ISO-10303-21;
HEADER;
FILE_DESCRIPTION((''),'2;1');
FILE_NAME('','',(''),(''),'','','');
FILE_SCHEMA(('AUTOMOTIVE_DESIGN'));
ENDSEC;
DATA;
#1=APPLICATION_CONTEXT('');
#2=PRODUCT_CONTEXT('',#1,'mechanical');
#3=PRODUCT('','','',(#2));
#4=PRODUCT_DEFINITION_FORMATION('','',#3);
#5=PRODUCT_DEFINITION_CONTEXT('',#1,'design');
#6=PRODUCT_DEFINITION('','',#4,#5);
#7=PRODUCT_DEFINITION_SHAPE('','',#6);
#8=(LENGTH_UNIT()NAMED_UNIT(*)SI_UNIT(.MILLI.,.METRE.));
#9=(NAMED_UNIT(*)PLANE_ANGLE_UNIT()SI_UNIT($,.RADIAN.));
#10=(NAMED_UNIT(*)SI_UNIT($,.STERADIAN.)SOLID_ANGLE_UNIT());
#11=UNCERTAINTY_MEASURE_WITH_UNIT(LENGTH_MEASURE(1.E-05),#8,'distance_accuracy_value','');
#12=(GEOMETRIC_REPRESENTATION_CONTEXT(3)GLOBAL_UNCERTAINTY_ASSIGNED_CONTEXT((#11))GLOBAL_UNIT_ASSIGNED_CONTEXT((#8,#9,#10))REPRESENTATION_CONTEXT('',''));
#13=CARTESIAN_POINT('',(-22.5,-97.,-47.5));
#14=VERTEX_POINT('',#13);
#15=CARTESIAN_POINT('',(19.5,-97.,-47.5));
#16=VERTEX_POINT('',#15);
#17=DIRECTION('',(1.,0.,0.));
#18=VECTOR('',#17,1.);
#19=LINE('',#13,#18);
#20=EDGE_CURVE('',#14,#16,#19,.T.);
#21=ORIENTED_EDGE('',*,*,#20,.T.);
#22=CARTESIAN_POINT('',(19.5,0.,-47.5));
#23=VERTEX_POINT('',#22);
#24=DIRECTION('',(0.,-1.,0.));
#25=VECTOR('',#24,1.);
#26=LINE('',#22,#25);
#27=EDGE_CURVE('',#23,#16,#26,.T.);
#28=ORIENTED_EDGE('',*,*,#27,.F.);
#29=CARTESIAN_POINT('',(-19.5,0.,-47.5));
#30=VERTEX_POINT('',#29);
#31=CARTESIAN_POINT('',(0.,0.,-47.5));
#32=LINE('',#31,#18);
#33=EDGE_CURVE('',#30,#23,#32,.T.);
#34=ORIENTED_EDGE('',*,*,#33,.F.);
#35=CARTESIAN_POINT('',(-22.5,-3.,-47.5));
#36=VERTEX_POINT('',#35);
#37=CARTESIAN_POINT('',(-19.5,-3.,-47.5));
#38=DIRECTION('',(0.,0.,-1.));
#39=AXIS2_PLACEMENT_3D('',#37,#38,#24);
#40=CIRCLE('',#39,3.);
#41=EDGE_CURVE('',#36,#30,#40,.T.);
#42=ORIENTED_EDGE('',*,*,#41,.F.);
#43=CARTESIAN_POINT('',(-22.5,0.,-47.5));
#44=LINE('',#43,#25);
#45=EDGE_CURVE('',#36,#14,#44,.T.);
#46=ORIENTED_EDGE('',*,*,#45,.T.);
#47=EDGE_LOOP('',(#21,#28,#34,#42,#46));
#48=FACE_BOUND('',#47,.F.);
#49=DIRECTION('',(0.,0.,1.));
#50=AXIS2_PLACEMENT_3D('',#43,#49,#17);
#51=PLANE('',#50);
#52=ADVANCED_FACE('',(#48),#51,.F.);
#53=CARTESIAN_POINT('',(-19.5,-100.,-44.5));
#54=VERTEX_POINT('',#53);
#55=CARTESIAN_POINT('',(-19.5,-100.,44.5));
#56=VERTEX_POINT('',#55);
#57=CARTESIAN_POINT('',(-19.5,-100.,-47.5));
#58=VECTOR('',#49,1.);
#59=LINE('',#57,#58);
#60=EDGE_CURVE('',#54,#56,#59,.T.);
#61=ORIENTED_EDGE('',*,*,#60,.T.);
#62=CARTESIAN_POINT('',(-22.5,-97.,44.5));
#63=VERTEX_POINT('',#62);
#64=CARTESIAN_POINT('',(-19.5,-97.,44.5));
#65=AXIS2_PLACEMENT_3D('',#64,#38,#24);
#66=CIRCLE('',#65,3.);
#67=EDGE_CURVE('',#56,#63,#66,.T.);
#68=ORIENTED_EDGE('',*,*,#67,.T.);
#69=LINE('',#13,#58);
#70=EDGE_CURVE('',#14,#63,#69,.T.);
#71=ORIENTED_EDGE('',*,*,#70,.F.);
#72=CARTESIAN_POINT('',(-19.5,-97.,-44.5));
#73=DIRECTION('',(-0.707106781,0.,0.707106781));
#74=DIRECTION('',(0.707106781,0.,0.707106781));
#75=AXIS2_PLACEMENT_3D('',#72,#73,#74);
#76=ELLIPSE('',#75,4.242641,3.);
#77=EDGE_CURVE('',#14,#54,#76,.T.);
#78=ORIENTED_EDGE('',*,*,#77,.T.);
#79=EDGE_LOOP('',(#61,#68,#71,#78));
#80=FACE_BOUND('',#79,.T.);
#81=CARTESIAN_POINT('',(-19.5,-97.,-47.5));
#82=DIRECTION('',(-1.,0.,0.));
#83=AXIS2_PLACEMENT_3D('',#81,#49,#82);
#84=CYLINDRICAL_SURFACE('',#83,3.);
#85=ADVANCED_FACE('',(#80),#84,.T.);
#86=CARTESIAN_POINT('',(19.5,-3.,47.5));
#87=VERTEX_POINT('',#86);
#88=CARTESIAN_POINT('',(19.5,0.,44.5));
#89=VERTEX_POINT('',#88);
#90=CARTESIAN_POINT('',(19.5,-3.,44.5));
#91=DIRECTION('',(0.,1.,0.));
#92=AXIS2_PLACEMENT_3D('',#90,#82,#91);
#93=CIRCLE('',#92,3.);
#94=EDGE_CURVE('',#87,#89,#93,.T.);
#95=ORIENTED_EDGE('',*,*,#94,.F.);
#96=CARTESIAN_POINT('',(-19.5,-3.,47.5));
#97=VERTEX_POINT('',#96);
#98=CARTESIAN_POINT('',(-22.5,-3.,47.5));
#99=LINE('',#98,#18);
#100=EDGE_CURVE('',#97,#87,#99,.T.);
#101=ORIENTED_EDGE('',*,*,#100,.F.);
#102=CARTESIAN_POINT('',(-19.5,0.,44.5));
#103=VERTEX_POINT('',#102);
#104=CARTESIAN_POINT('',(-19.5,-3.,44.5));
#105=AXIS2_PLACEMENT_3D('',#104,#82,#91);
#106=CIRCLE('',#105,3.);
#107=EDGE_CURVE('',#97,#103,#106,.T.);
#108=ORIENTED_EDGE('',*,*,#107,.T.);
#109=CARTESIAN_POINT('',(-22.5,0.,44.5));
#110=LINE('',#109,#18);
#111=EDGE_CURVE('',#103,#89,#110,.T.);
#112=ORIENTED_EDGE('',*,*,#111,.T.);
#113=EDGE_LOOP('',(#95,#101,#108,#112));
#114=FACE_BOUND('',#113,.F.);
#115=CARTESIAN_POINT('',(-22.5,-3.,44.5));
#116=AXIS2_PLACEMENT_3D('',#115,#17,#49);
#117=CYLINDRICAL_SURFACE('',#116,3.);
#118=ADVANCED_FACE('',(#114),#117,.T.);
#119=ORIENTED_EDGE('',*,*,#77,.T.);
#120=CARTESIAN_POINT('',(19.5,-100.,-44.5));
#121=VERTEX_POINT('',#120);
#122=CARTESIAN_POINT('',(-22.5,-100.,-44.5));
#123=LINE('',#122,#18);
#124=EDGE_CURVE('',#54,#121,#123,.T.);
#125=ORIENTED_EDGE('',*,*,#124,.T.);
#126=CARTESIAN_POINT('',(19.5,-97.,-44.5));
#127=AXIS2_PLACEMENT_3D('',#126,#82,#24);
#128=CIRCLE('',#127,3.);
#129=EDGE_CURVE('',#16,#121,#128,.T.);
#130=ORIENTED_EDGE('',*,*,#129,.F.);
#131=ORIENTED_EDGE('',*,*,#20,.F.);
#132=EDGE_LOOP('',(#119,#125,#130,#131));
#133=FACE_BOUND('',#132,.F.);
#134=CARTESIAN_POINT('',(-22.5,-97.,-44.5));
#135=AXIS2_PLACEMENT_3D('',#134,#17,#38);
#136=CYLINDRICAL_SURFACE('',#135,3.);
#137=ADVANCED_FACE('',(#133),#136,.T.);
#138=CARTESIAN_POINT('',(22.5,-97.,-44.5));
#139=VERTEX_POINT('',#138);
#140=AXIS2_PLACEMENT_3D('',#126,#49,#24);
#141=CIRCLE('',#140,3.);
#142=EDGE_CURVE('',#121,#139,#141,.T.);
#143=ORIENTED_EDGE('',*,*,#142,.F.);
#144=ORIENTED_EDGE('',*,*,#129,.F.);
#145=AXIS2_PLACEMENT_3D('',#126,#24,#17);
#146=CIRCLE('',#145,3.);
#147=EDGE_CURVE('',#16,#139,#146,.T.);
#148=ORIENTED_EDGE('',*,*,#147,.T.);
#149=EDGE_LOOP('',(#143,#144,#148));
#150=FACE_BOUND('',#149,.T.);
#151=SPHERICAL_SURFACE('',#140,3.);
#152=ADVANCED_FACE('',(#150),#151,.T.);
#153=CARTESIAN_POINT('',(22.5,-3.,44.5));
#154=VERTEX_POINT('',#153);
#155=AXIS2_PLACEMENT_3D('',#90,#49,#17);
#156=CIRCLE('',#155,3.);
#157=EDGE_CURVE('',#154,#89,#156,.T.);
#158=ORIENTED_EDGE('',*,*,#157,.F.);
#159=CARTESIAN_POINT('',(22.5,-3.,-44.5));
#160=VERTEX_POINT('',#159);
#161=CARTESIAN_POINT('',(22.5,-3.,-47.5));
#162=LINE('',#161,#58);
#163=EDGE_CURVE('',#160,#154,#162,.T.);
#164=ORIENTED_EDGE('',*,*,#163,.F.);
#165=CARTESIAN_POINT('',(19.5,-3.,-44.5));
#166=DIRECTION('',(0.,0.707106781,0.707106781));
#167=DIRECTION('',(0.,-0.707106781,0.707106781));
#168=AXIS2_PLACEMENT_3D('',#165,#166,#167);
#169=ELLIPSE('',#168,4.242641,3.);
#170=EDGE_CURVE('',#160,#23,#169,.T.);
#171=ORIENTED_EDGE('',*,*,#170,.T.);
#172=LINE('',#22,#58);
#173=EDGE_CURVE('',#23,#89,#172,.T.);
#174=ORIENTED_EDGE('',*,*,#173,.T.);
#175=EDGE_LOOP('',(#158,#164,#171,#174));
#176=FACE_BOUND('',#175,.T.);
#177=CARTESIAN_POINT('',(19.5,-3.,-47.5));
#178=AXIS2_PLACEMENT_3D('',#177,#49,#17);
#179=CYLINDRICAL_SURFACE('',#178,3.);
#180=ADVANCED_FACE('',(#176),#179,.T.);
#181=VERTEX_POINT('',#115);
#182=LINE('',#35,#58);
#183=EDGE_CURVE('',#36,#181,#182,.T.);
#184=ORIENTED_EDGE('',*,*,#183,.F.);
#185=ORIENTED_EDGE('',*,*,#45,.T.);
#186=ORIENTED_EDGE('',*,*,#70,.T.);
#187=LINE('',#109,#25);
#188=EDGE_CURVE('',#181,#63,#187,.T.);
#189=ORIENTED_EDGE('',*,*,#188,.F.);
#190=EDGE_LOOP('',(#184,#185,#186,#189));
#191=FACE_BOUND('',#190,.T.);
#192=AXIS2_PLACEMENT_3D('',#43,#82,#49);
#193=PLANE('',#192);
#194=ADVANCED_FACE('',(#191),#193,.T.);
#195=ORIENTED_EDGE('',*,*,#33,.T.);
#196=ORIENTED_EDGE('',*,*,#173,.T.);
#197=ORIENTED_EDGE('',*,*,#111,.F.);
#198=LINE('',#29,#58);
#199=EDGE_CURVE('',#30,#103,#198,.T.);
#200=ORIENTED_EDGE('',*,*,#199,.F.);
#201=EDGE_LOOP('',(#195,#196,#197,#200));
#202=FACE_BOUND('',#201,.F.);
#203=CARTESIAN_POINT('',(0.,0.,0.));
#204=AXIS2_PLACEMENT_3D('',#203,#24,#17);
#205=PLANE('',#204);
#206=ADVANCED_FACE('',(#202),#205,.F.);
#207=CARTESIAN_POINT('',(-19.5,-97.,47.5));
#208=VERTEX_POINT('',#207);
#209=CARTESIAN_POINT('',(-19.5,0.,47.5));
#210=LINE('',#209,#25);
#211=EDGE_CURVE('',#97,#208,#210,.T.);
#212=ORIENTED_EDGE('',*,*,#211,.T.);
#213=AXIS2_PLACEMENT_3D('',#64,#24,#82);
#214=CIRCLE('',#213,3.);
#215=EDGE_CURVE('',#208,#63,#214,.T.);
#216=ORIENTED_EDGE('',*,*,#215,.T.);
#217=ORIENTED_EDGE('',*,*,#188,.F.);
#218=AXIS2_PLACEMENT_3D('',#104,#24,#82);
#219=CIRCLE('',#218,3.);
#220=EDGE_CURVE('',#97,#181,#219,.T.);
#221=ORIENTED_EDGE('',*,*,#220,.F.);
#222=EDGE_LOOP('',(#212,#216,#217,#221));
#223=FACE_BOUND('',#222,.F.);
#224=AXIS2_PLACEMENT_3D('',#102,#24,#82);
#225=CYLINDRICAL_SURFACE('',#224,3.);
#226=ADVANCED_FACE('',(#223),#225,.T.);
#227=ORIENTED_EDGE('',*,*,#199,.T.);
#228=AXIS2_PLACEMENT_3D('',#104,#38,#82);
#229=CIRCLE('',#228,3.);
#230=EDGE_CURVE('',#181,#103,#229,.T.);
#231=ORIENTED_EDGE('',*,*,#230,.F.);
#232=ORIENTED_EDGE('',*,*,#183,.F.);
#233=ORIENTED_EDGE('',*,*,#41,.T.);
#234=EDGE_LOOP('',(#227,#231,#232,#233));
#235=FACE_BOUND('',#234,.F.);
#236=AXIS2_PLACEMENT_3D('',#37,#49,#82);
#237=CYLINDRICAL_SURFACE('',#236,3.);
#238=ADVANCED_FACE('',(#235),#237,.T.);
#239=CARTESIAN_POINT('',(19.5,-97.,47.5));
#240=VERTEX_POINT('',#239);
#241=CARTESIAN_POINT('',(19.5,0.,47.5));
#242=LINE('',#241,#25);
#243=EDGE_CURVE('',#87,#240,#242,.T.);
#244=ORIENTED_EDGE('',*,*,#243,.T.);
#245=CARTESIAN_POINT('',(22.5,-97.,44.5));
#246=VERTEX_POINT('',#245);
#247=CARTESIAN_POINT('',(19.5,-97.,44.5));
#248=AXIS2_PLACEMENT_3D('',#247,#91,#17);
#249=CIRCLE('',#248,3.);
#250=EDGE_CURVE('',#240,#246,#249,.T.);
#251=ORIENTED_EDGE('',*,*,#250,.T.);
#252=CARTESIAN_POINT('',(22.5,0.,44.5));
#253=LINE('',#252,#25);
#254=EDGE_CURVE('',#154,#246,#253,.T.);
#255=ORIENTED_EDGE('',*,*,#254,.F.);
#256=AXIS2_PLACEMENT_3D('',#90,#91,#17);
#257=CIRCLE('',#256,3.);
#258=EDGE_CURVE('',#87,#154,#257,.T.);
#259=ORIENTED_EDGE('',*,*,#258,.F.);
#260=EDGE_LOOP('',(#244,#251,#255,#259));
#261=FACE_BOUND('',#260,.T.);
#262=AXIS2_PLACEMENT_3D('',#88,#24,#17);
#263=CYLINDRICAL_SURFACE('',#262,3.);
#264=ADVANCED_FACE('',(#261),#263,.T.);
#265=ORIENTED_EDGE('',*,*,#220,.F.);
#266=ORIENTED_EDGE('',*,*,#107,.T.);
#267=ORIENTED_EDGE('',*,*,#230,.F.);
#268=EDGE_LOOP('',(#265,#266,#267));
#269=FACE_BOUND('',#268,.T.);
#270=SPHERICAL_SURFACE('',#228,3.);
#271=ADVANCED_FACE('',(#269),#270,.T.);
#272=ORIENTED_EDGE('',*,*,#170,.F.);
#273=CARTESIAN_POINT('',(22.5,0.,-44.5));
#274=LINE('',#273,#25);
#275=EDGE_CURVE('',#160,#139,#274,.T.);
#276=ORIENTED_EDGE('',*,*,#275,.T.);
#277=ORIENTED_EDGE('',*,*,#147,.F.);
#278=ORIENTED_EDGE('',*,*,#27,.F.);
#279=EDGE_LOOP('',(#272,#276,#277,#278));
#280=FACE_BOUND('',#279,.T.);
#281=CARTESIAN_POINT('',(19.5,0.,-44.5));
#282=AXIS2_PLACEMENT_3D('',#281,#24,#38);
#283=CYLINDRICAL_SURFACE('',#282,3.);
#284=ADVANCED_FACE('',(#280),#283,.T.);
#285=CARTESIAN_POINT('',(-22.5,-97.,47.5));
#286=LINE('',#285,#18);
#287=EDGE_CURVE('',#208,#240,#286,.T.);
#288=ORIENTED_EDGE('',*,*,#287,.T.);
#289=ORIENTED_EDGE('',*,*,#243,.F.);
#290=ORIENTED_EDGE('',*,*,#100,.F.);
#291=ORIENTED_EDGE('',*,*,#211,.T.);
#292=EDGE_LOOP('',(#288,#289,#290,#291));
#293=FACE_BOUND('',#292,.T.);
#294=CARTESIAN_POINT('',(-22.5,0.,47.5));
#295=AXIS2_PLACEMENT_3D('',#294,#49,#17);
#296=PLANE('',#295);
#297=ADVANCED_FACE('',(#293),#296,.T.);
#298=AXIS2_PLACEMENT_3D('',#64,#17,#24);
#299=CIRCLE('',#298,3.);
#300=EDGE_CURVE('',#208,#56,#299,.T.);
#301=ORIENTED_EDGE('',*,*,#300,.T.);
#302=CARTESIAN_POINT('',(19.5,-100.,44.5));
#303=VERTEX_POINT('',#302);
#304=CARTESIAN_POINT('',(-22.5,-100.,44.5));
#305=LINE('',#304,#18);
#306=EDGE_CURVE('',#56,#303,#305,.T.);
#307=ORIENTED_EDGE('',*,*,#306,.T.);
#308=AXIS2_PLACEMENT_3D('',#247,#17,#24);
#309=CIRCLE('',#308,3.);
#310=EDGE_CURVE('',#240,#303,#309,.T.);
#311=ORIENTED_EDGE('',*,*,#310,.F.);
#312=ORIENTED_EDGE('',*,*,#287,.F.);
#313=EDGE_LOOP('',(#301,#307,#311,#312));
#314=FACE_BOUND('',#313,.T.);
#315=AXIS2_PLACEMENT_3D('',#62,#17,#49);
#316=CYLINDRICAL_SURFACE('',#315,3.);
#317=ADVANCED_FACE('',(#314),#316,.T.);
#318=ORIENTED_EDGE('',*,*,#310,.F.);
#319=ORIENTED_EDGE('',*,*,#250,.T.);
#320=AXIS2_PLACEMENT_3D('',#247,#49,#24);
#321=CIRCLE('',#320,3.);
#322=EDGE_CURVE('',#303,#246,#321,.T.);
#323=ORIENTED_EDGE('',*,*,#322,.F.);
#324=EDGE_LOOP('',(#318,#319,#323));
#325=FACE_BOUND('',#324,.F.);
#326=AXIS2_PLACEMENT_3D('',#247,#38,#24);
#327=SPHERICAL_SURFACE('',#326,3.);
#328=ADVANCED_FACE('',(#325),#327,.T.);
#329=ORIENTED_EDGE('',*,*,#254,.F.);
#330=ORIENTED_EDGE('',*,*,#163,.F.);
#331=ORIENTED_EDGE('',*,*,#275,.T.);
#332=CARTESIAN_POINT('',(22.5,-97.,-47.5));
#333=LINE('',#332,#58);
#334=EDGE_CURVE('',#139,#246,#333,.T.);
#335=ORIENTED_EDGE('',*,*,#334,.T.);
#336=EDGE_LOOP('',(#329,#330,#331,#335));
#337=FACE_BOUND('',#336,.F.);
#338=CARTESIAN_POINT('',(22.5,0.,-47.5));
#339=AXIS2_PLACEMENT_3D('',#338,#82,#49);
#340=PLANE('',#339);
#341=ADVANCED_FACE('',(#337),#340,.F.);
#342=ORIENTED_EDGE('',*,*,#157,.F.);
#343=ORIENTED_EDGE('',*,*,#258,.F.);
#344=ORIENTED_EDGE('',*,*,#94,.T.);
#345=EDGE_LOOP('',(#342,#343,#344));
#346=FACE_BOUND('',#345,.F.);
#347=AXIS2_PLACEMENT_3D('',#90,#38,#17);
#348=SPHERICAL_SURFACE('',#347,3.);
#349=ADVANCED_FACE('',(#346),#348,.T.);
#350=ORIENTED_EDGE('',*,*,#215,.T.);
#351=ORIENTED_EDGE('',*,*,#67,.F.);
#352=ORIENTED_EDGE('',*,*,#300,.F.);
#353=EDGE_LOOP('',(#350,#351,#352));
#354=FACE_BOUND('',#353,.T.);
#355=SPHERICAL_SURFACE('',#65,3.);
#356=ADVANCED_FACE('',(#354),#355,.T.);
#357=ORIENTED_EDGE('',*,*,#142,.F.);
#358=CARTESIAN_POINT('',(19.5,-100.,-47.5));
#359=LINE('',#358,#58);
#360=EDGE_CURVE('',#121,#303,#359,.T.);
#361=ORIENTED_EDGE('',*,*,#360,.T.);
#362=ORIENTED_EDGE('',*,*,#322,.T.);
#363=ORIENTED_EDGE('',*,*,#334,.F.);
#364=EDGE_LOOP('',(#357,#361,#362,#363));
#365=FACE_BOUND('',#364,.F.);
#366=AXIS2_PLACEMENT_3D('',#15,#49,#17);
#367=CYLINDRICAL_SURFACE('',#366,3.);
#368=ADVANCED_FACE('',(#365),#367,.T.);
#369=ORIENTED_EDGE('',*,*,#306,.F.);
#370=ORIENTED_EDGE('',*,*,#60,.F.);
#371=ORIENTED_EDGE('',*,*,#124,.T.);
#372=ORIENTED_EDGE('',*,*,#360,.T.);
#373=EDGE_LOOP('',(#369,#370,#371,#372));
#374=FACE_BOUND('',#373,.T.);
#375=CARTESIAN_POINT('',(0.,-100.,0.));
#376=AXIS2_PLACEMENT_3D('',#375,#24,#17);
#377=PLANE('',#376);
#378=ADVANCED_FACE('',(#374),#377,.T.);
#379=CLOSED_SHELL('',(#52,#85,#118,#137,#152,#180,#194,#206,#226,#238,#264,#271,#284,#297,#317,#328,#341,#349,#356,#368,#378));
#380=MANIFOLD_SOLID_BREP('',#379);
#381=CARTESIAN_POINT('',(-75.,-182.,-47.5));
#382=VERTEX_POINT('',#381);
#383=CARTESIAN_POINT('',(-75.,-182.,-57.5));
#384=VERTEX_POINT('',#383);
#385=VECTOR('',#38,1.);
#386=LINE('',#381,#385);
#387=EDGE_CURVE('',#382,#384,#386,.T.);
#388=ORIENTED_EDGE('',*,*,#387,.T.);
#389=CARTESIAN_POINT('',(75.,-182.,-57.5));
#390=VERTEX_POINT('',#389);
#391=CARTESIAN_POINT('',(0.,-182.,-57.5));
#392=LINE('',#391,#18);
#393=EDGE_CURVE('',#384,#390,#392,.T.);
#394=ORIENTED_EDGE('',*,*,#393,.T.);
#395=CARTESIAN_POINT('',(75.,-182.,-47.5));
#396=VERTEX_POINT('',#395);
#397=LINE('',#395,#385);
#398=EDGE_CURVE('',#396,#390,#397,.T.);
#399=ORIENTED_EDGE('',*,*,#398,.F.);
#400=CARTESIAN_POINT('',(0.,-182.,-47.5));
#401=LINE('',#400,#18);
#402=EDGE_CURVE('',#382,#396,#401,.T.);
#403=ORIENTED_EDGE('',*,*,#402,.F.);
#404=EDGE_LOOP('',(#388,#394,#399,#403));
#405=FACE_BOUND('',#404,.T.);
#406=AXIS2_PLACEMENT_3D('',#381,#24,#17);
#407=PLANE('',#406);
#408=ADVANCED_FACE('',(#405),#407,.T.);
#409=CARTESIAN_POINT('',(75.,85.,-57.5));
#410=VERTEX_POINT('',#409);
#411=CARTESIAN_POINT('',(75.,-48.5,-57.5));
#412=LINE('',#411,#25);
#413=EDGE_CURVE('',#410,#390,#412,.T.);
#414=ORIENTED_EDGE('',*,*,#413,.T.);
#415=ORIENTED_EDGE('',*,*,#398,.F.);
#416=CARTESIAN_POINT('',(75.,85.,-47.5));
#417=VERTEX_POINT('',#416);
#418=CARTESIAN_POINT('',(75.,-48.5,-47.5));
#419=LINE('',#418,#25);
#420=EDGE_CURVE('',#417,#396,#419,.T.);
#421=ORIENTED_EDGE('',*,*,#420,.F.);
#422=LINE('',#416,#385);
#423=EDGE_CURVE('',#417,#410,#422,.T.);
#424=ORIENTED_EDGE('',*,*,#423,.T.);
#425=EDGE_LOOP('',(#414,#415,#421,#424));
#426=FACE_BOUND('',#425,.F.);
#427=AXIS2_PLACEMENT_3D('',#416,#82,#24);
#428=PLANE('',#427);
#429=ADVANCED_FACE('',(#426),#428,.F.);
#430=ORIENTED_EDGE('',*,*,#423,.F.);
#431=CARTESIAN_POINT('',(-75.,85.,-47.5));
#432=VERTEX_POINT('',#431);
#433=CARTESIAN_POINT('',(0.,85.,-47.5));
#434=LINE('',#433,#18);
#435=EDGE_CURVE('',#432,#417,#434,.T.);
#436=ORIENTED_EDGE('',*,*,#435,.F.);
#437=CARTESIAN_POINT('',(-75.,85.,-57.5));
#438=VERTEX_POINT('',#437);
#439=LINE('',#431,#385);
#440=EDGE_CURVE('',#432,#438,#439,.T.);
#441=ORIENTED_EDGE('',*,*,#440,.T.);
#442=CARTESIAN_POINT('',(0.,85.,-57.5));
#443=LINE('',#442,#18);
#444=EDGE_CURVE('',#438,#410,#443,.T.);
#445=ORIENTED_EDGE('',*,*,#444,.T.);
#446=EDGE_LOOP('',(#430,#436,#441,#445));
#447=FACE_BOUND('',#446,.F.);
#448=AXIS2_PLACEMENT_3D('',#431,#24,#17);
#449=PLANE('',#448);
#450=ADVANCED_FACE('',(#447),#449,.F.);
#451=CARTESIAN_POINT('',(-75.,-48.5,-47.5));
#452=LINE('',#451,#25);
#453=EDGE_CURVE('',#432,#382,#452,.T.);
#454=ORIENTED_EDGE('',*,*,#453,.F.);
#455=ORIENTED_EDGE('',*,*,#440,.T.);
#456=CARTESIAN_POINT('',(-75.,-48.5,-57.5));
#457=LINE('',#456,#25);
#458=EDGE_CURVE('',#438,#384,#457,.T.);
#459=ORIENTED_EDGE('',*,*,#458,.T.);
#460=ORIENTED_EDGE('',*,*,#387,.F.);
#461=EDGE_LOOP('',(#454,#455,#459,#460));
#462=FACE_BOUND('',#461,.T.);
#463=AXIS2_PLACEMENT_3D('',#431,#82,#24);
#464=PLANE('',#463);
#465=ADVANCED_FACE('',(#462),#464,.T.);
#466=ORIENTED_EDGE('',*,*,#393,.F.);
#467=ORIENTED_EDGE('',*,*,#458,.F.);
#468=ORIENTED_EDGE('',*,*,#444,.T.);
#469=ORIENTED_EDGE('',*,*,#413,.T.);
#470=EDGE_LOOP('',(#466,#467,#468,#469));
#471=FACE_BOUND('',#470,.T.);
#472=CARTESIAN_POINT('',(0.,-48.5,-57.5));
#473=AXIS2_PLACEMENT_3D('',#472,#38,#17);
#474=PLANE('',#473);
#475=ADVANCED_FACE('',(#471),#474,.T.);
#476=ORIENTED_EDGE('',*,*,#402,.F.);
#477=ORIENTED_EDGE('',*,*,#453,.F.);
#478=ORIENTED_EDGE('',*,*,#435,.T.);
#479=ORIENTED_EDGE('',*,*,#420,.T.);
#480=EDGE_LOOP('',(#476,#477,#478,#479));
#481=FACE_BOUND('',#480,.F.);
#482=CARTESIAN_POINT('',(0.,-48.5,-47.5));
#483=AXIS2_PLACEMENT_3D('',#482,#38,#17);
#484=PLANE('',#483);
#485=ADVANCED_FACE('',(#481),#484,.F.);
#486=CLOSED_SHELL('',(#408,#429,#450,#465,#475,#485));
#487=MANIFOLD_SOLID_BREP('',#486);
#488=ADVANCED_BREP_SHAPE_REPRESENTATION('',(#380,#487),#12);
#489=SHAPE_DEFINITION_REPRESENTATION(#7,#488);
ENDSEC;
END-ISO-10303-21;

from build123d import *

# Parameters (mm, degrees)
F0_W     = 45
F0_H     = 95
F1_DEPTH = 100
F2_R     = 3
F3_W     = 150
F3_H     = 267
F4_DEPTH = 10


with BuildPart() as f1:
    # F0 (on Front) → F1 (new body)
    with BuildSketch(Plane.XZ):
        Rectangle(F0_W, F0_H)
    extrude(amount=F1_DEPTH)

    # F2
    f2_edges = [f1.edges().sort_by_distance(p)[0] for p in [
        (22.5, -100, 0),
        (-22.5, -100, 0),
        (0, -100, -47.5),
        (0, -100, 47.5),
        (22.5, 0, 0),
        (-22.5, 0, 0),
        (22.5, -50, -47.5),
        (22.5, -50, 47.5),
        (-22.5, -50, 47.5),
        (0, 0, 47.5),
    ]]
    fillet(f2_edges, radius=F2_R)


with BuildPart() as f4:
    # F3 (on face) → F4 (new body)
    with BuildSketch(Plane(origin=(0, 0, -47.5), x_dir=(1, 0, 0), z_dir=(0, 0, -1))):
        with Locations((0, 48.5)):
            Rectangle(F3_W, F3_H)
    extrude(amount=F4_DEPTH)


solid = Compound([f1.part, f4.part])
